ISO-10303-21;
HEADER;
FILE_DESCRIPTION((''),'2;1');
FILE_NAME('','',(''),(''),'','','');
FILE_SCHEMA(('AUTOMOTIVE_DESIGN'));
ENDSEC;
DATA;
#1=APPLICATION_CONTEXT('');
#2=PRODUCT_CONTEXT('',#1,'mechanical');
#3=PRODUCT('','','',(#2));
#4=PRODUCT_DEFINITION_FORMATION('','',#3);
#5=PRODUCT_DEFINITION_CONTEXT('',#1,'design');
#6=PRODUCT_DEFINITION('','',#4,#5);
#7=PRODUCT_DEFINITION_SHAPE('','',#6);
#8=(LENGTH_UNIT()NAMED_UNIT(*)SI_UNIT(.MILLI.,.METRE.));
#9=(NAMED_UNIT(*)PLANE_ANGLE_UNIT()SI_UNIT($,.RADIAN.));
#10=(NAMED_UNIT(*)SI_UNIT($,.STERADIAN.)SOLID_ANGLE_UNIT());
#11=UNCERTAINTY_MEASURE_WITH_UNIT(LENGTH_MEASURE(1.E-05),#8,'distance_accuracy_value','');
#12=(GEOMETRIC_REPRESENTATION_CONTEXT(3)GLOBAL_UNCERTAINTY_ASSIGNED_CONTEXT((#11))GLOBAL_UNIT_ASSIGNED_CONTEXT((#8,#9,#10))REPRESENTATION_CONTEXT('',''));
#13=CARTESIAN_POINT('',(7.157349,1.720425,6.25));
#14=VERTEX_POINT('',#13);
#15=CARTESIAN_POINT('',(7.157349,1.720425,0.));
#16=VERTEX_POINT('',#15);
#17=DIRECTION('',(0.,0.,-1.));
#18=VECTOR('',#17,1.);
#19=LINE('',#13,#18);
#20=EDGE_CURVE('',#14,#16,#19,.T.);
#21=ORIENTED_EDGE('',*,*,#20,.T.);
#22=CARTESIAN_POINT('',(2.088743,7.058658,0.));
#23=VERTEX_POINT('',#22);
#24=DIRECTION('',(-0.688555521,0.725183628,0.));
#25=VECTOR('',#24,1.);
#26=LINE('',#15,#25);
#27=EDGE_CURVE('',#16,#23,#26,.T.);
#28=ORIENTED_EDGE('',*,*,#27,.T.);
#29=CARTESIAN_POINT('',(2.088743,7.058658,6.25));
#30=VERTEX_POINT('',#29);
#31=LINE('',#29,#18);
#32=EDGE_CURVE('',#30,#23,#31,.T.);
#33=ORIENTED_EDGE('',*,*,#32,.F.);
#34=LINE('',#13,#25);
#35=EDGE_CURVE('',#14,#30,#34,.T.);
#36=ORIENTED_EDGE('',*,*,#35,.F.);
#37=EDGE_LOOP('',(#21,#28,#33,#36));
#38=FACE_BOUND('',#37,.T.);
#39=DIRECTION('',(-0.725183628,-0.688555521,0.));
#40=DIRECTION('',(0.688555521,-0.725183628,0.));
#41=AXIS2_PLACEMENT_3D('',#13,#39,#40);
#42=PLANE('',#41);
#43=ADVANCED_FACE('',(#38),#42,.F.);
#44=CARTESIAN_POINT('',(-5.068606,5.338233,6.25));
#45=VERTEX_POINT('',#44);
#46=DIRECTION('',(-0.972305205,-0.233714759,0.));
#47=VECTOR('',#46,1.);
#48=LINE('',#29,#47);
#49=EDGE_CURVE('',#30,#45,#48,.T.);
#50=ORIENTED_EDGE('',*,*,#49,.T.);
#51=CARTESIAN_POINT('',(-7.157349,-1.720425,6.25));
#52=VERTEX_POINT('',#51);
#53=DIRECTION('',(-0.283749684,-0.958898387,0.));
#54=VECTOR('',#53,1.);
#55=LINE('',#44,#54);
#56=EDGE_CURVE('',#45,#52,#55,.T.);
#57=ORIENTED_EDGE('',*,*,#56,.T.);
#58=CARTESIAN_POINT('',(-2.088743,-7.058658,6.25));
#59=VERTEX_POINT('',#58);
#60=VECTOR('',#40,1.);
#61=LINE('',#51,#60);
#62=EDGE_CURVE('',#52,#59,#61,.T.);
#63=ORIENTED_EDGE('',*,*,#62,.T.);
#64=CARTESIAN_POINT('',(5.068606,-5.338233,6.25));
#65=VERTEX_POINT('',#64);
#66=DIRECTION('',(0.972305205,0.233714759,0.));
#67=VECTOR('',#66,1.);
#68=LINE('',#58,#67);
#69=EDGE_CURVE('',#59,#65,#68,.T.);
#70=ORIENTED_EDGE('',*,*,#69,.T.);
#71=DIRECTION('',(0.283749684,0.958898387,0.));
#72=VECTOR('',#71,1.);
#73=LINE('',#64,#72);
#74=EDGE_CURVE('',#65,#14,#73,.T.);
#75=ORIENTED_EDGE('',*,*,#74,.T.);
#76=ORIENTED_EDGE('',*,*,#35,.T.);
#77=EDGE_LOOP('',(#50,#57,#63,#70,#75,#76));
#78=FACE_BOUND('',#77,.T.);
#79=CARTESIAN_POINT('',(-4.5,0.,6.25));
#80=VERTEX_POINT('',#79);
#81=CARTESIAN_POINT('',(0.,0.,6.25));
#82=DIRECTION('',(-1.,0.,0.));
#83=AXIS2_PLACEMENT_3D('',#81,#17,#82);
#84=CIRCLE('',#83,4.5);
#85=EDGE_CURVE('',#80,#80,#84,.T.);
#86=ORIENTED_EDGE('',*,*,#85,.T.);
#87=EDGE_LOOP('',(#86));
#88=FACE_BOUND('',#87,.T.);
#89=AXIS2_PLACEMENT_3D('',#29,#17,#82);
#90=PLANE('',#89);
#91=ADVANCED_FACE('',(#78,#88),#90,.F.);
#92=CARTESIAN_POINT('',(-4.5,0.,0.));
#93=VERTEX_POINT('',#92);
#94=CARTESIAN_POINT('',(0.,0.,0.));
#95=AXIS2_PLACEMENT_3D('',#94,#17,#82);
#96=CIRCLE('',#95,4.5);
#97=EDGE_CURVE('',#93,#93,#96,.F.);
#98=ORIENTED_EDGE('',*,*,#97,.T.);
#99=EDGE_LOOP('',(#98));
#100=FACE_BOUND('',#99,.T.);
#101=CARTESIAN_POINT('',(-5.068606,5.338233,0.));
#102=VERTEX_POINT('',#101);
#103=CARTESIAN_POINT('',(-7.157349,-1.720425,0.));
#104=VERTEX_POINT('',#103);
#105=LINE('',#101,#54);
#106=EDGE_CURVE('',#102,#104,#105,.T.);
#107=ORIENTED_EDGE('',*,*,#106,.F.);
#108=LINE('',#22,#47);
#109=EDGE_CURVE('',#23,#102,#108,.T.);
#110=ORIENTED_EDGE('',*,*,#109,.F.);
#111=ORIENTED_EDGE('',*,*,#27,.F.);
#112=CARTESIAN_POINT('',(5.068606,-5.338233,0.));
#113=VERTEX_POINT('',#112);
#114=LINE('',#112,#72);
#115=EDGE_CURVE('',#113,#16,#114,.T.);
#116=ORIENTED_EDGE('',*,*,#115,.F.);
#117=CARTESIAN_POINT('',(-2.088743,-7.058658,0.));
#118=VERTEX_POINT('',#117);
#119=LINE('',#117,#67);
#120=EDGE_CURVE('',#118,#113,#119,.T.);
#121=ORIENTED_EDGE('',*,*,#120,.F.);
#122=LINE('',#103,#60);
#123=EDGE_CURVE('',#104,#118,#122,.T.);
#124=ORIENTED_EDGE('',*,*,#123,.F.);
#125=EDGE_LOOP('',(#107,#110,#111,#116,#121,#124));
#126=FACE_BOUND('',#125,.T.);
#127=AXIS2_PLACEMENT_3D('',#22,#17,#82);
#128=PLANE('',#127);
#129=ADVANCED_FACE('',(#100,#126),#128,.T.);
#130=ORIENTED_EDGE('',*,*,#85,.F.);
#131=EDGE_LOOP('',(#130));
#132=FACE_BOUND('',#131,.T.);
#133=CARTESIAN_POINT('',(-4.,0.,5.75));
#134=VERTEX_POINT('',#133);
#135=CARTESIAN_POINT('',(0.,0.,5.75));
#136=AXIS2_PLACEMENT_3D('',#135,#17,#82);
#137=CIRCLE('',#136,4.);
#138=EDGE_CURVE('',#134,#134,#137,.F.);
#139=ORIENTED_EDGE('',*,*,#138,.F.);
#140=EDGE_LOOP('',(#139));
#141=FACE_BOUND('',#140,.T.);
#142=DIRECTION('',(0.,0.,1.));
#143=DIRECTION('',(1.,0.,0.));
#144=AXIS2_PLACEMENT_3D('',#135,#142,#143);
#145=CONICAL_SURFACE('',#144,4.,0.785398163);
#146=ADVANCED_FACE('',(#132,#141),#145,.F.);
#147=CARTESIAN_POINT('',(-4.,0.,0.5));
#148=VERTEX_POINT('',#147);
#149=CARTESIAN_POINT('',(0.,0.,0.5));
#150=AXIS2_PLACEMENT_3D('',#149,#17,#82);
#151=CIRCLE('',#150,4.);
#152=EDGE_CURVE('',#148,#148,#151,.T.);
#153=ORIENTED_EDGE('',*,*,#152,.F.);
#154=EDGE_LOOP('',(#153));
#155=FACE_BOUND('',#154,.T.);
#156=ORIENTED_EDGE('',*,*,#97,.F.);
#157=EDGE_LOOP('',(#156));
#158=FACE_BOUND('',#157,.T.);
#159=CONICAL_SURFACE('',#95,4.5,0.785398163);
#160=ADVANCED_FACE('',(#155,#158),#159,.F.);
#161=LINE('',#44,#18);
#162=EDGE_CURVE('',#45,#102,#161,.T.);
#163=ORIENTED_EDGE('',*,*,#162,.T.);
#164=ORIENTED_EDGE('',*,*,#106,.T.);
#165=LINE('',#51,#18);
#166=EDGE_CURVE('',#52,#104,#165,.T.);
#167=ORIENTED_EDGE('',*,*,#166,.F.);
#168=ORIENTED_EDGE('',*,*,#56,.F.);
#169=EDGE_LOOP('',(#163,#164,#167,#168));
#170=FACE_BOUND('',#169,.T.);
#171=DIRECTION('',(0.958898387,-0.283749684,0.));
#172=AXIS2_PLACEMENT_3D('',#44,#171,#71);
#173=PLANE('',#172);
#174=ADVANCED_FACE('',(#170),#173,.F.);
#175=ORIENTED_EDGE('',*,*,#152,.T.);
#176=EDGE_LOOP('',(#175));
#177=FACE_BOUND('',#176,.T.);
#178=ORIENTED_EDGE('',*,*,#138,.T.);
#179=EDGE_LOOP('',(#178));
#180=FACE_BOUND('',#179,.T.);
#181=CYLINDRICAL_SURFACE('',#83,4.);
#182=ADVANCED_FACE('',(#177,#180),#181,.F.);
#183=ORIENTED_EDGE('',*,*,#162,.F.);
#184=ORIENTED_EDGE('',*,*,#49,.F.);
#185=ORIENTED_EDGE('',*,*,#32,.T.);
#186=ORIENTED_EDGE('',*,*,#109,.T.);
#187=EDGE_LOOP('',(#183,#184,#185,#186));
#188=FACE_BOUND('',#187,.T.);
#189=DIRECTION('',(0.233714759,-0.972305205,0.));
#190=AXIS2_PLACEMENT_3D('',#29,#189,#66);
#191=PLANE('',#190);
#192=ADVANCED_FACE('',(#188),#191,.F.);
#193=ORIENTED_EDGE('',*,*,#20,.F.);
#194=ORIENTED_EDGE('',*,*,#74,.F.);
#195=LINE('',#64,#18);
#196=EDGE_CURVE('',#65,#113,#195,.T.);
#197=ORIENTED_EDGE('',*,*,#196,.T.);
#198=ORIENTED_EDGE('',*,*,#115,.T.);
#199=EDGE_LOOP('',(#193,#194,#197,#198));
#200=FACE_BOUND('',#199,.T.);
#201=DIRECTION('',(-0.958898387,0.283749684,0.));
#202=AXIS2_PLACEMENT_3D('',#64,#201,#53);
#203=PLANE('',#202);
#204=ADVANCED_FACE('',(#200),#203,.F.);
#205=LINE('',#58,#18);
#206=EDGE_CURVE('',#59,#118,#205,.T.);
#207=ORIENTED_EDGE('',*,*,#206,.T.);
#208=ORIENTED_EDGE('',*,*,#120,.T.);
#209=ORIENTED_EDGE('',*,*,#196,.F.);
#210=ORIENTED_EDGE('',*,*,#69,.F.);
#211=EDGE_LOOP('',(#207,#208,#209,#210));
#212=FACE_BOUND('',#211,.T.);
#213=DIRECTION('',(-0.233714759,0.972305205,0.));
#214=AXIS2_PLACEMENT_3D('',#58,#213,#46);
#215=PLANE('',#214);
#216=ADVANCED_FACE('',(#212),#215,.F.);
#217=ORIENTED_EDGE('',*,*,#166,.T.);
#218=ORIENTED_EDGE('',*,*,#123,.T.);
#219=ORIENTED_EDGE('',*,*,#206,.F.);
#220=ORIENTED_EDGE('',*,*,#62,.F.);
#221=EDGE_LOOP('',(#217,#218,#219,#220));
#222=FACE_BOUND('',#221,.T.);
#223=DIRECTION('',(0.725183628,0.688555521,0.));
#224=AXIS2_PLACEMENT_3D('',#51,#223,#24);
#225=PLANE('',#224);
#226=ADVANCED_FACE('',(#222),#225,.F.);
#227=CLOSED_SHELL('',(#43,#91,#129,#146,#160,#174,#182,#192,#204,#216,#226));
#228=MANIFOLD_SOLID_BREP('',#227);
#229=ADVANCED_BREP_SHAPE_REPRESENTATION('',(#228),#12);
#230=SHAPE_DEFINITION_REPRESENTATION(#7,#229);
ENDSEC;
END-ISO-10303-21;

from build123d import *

# Parameters (mm, degrees)
SKETCH1_R       = 4
NUT_DEPTH       = 6.25
CHANFREIN1_SIZE = 0.5


with BuildPart() as part:
    # Sketch1 → NUT (new body)
    with BuildSketch(Plane.XY):
        Polygon((-5.068605871, 5.338233277), (-7.157348565, -1.720424807), (-2.088742694, -7.058658085), (5.068605871, -5.338233277), (7.157348565, 1.720424807), (2.088742694, 7.058658085), align=None)
        Circle(SKETCH1_R, mode=Mode.SUBTRACT)
    extrude(amount=NUT_DEPTH)

    # Chanfrein1
    chanfrein1_edges = [part.edges().sort_by_distance(p)[0] for p in [
        (-4, 0, 0),
        (-4, 0, 6.25),
    ]]
    chamfer(chanfrein1_edges, length=CHANFREIN1_SIZE)


solid = part.part
